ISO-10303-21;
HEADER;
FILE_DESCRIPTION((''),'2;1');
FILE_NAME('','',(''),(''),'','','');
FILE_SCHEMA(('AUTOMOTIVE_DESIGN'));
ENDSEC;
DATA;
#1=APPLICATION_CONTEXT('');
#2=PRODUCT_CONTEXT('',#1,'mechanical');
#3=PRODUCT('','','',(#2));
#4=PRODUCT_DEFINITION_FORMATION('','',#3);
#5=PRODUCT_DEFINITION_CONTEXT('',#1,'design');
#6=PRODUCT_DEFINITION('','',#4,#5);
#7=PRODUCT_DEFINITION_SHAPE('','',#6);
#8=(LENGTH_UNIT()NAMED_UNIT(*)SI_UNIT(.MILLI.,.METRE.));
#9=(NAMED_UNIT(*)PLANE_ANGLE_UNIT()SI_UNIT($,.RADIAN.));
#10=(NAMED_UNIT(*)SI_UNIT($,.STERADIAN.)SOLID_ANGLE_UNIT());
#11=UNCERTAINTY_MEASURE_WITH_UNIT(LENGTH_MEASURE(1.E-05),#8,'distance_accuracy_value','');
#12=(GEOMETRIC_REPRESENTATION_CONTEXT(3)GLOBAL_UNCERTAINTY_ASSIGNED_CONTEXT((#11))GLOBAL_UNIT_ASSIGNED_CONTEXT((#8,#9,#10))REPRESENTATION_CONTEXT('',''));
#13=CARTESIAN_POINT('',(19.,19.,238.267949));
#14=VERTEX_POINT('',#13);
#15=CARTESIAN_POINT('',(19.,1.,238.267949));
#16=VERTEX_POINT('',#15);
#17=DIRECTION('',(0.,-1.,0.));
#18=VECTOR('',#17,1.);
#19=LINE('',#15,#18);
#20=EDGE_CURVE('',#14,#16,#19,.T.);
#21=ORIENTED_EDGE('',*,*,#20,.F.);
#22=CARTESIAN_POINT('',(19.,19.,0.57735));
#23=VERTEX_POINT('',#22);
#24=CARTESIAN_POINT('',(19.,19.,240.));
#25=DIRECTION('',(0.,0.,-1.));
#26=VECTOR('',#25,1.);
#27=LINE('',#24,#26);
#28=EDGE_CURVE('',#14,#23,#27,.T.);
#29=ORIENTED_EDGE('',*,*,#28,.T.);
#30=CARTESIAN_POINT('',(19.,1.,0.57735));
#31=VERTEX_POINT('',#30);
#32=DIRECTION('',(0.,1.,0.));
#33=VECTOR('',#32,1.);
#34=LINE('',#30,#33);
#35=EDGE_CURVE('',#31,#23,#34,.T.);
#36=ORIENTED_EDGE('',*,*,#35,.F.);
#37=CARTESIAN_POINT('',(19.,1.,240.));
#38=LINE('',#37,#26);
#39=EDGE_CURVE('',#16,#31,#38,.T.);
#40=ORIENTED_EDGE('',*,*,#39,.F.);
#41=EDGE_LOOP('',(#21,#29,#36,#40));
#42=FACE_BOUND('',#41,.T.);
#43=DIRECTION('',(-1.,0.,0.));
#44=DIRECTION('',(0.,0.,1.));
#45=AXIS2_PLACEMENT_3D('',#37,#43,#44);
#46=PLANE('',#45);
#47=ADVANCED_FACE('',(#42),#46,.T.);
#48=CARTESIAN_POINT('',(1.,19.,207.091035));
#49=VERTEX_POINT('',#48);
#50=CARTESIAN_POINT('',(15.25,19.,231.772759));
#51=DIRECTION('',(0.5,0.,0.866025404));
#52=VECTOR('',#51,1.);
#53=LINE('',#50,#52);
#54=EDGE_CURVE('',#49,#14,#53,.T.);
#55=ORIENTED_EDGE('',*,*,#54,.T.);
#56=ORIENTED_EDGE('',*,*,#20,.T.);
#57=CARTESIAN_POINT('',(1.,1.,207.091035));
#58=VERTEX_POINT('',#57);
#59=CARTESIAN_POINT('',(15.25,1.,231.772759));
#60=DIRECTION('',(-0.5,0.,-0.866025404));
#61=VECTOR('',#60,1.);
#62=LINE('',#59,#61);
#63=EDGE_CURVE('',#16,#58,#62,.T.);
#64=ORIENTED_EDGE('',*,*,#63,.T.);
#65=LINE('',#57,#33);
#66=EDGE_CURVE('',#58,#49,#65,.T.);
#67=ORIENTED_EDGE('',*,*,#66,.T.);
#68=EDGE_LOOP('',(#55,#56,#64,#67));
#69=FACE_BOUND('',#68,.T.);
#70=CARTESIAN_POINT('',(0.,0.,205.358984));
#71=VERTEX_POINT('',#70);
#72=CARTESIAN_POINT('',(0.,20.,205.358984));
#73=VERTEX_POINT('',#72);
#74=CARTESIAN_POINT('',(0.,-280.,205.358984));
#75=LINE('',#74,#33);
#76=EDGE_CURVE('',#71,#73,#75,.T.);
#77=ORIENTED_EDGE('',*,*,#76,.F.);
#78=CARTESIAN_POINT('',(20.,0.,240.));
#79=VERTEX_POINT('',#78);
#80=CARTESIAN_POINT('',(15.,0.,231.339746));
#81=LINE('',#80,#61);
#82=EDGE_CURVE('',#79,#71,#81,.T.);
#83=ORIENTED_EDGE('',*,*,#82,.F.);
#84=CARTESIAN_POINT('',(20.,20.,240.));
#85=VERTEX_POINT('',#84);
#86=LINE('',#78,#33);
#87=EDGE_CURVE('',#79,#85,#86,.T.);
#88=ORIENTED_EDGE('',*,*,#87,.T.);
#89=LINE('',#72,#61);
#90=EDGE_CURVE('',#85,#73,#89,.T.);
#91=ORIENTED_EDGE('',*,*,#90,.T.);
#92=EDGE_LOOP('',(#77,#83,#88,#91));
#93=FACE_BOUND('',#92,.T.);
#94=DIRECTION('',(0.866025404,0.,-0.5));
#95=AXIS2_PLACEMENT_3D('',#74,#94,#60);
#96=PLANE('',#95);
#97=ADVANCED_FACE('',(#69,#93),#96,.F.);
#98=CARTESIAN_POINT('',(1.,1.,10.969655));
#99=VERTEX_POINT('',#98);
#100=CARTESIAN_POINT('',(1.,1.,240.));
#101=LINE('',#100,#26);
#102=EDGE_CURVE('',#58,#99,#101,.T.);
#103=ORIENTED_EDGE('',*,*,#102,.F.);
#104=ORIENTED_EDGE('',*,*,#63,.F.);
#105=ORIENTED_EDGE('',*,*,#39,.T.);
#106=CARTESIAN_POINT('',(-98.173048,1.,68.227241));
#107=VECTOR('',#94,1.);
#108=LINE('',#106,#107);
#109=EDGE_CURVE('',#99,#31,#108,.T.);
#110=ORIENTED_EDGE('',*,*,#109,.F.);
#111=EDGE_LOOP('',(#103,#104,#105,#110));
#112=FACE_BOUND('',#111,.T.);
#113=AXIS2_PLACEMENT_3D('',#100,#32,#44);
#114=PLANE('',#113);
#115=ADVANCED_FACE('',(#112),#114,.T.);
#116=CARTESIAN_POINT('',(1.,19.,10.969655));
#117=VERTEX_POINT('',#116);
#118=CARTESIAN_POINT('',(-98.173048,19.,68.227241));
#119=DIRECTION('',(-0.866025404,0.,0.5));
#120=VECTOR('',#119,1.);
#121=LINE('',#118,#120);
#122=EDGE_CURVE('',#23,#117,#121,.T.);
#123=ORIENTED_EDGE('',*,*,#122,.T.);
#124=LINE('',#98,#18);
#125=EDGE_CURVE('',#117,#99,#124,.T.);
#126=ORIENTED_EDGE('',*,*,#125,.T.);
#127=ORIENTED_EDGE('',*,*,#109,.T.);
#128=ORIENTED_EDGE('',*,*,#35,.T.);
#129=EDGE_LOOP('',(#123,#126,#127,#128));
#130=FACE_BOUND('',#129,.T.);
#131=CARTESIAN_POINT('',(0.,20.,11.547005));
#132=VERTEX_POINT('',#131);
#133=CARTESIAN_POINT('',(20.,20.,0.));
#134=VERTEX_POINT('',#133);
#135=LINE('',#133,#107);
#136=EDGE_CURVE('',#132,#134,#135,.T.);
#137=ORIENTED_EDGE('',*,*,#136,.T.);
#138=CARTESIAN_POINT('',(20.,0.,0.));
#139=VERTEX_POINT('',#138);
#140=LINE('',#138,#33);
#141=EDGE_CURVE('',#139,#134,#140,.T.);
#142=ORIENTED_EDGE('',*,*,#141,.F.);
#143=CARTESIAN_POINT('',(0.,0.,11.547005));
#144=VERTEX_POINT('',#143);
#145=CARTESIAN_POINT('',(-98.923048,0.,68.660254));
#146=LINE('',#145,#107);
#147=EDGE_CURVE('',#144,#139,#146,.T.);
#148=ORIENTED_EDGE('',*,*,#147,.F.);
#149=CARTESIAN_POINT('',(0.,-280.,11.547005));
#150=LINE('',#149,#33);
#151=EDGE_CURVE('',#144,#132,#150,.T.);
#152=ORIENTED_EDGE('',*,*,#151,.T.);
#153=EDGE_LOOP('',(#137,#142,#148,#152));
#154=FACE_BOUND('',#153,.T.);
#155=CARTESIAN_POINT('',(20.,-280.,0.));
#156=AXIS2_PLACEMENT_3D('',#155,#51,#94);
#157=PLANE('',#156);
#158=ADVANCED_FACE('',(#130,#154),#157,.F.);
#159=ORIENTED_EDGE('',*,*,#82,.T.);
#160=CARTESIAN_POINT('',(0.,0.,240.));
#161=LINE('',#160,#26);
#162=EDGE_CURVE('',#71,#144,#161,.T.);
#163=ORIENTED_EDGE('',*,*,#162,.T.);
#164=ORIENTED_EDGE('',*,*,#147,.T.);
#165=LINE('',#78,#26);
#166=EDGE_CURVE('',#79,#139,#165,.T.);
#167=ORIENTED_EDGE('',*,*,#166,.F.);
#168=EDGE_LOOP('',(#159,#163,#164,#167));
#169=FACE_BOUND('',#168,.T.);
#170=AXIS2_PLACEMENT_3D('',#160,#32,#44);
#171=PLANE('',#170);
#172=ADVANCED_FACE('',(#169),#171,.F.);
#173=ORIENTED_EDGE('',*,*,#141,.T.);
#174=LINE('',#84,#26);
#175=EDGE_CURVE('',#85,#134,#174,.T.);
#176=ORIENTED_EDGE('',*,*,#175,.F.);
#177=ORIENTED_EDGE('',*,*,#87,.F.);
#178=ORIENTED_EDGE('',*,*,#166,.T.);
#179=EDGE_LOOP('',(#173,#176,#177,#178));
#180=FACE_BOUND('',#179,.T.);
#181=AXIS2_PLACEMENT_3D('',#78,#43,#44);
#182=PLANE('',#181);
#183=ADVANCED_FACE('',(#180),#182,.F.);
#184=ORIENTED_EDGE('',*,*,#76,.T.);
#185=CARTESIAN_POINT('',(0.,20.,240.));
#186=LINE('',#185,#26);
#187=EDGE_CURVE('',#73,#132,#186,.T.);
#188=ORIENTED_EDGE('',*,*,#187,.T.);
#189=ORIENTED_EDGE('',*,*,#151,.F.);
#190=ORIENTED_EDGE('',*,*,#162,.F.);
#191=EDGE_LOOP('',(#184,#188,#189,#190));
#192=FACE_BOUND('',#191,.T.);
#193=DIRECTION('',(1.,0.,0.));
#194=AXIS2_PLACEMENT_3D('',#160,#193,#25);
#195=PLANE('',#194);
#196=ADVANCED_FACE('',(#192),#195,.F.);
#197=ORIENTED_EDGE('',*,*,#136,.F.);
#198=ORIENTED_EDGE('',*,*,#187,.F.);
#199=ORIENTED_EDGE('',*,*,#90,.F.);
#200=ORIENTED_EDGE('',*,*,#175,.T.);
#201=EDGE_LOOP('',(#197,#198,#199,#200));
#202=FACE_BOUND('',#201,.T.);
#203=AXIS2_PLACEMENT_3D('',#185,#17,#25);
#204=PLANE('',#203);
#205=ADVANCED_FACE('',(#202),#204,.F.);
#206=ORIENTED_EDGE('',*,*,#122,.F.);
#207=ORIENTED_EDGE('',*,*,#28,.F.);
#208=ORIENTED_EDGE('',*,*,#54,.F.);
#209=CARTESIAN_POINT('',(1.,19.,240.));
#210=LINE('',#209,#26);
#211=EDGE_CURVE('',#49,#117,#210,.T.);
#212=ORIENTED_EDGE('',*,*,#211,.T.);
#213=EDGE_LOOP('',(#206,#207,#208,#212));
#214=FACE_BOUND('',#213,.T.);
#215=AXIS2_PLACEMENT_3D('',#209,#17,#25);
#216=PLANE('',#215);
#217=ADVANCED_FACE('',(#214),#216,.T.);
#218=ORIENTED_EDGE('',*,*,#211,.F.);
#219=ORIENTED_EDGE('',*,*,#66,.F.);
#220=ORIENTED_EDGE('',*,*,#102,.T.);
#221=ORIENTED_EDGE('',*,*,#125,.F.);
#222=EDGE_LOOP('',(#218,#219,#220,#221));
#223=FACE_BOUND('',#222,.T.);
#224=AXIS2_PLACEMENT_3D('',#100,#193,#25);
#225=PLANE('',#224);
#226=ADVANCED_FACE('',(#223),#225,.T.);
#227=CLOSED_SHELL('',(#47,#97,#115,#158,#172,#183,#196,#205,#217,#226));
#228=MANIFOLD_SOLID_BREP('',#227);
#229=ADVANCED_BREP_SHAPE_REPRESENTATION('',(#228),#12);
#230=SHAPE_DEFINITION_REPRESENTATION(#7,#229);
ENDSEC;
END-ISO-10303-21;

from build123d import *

# Parameters (mm, degrees)
SKETCH_1_W          = 20
SKETCH_1_H          = 20
SKETCH_1_W_2        = 18
SKETCH_1_H_2        = 18
EXTRUDE_1_DEPTH     = 240
CUT_EXTRUDE_1_DEPTH = 300


with BuildPart() as part:
    # 草图1 → 凸台-拉伸1 (new body)
    with BuildSketch(Plane.XY):
        with Locations((10, 10)):
            Rectangle(SKETCH_1_W, SKETCH_1_H)
        with Locations((10, 10)):
            Rectangle(SKETCH_1_W_2, SKETCH_1_H_2, mode=Mode.SUBTRACT)
    extrude(amount=EXTRUDE_1_DEPTH)

    # 草图2 → 切除-拉伸1 (cut)
    with BuildSketch(Plane(origin=(0, 20, 0), x_dir=(1, 0, 0), z_dir=(0, 1, 0))):
        Polygon((20, 0), (0, -11.547005384), (0, 0), align=None)
        Polygon((0, -205.358983849), (20, -240), (0, -240), align=None)
    extrude(amount=-CUT_EXTRUDE_1_DEPTH, mode=Mode.SUBTRACT)


solid = part.part
